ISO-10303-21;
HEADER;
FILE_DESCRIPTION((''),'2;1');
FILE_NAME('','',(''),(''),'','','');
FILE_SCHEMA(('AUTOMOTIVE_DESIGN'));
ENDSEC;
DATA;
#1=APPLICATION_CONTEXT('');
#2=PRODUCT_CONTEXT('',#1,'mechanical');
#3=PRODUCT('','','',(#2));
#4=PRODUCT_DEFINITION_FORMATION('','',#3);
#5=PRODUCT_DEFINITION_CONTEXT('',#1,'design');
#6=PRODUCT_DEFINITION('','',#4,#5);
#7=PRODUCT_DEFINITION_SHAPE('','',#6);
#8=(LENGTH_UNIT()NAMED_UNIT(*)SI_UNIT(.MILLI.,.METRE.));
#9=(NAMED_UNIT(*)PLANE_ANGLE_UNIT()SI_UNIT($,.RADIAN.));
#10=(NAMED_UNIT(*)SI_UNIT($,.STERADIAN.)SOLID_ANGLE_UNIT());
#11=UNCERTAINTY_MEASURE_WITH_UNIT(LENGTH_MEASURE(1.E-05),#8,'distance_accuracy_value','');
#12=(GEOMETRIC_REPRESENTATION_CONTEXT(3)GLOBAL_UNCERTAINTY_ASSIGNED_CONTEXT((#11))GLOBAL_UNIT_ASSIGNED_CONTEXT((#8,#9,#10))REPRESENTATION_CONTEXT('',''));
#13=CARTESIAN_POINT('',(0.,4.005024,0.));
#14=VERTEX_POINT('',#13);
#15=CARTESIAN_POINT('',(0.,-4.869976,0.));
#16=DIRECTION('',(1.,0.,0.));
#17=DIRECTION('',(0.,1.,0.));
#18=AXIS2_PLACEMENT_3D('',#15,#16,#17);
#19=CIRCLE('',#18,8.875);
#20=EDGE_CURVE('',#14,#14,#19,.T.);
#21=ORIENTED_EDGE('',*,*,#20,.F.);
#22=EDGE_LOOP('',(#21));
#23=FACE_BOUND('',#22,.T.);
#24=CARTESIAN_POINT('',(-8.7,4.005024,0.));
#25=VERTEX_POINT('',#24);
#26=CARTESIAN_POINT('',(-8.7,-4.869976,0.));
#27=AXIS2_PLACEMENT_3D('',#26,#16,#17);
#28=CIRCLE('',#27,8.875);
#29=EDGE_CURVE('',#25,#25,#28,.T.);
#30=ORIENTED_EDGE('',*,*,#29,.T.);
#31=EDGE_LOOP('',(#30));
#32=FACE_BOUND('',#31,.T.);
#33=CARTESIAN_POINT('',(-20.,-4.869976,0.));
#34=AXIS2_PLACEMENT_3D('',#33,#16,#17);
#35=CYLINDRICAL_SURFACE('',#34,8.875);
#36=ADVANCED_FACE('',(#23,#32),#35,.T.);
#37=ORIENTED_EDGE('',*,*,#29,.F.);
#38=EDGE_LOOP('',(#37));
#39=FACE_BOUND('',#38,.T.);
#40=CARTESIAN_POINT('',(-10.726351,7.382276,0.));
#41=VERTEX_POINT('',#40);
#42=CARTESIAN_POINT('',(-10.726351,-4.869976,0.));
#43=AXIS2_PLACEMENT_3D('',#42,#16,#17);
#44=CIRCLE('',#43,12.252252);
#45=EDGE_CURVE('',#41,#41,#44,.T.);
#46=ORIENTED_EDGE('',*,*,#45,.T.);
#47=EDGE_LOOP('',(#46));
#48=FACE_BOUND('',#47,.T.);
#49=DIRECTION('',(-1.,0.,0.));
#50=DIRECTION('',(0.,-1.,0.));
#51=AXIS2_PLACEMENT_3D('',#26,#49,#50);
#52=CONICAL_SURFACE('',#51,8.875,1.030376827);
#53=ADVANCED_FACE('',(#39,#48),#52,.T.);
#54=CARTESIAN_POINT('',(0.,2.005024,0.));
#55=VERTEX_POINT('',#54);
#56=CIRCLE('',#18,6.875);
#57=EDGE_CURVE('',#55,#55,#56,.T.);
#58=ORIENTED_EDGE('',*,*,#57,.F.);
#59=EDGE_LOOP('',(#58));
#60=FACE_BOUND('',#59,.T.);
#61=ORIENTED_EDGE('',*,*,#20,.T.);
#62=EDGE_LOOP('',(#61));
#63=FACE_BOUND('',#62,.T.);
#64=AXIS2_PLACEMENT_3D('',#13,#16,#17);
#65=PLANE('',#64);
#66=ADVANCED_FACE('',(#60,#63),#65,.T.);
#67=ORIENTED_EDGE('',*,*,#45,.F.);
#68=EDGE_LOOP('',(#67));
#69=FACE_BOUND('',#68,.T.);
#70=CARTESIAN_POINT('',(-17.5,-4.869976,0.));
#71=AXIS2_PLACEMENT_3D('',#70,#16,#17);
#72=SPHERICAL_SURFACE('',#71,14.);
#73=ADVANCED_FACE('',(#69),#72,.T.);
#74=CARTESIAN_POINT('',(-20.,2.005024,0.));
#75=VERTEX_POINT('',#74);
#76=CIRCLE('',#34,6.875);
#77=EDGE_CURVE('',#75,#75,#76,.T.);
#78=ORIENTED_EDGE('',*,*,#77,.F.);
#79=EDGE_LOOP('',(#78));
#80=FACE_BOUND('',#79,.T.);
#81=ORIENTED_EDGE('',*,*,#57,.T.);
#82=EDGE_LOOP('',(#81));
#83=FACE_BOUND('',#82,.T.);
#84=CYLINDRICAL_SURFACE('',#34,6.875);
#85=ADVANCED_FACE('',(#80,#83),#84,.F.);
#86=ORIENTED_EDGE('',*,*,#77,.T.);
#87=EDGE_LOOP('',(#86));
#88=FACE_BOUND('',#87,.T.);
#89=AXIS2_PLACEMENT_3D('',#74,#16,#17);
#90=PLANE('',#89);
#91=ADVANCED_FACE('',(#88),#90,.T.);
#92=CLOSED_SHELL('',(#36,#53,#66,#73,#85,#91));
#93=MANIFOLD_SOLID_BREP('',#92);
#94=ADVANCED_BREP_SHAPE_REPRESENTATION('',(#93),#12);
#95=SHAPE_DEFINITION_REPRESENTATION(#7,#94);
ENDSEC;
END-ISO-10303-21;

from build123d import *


with BuildPart() as part:
    # Sketch1 → Revolve1 (revolve)
    with BuildSketch(Plane.XY):
        with BuildLine():
            Line((0, 4.005023834), (0, 2.005023834))
            Line((0, 2.005023834), (-20, 2.005023834))
            Line((-20, 2.005023834), (-20, -4.869976166))
            Line((-20, -4.869976166), (-31.5, -4.869976166))
            ThreePointArc((-31.5, -4.869976166), (-24.612275243, 7.188860464), (-10.726351305, 7.382276009))
            Line((-10.726351305, 7.382276009), (-8.7, 4.005023834))
            Line((-8.7, 4.005023834), (0, 4.005023834))
        make_face()
    revolve(axis=Axis((-20, -4.869976166, 0), (-1, 0, 0)))


solid = part.part
